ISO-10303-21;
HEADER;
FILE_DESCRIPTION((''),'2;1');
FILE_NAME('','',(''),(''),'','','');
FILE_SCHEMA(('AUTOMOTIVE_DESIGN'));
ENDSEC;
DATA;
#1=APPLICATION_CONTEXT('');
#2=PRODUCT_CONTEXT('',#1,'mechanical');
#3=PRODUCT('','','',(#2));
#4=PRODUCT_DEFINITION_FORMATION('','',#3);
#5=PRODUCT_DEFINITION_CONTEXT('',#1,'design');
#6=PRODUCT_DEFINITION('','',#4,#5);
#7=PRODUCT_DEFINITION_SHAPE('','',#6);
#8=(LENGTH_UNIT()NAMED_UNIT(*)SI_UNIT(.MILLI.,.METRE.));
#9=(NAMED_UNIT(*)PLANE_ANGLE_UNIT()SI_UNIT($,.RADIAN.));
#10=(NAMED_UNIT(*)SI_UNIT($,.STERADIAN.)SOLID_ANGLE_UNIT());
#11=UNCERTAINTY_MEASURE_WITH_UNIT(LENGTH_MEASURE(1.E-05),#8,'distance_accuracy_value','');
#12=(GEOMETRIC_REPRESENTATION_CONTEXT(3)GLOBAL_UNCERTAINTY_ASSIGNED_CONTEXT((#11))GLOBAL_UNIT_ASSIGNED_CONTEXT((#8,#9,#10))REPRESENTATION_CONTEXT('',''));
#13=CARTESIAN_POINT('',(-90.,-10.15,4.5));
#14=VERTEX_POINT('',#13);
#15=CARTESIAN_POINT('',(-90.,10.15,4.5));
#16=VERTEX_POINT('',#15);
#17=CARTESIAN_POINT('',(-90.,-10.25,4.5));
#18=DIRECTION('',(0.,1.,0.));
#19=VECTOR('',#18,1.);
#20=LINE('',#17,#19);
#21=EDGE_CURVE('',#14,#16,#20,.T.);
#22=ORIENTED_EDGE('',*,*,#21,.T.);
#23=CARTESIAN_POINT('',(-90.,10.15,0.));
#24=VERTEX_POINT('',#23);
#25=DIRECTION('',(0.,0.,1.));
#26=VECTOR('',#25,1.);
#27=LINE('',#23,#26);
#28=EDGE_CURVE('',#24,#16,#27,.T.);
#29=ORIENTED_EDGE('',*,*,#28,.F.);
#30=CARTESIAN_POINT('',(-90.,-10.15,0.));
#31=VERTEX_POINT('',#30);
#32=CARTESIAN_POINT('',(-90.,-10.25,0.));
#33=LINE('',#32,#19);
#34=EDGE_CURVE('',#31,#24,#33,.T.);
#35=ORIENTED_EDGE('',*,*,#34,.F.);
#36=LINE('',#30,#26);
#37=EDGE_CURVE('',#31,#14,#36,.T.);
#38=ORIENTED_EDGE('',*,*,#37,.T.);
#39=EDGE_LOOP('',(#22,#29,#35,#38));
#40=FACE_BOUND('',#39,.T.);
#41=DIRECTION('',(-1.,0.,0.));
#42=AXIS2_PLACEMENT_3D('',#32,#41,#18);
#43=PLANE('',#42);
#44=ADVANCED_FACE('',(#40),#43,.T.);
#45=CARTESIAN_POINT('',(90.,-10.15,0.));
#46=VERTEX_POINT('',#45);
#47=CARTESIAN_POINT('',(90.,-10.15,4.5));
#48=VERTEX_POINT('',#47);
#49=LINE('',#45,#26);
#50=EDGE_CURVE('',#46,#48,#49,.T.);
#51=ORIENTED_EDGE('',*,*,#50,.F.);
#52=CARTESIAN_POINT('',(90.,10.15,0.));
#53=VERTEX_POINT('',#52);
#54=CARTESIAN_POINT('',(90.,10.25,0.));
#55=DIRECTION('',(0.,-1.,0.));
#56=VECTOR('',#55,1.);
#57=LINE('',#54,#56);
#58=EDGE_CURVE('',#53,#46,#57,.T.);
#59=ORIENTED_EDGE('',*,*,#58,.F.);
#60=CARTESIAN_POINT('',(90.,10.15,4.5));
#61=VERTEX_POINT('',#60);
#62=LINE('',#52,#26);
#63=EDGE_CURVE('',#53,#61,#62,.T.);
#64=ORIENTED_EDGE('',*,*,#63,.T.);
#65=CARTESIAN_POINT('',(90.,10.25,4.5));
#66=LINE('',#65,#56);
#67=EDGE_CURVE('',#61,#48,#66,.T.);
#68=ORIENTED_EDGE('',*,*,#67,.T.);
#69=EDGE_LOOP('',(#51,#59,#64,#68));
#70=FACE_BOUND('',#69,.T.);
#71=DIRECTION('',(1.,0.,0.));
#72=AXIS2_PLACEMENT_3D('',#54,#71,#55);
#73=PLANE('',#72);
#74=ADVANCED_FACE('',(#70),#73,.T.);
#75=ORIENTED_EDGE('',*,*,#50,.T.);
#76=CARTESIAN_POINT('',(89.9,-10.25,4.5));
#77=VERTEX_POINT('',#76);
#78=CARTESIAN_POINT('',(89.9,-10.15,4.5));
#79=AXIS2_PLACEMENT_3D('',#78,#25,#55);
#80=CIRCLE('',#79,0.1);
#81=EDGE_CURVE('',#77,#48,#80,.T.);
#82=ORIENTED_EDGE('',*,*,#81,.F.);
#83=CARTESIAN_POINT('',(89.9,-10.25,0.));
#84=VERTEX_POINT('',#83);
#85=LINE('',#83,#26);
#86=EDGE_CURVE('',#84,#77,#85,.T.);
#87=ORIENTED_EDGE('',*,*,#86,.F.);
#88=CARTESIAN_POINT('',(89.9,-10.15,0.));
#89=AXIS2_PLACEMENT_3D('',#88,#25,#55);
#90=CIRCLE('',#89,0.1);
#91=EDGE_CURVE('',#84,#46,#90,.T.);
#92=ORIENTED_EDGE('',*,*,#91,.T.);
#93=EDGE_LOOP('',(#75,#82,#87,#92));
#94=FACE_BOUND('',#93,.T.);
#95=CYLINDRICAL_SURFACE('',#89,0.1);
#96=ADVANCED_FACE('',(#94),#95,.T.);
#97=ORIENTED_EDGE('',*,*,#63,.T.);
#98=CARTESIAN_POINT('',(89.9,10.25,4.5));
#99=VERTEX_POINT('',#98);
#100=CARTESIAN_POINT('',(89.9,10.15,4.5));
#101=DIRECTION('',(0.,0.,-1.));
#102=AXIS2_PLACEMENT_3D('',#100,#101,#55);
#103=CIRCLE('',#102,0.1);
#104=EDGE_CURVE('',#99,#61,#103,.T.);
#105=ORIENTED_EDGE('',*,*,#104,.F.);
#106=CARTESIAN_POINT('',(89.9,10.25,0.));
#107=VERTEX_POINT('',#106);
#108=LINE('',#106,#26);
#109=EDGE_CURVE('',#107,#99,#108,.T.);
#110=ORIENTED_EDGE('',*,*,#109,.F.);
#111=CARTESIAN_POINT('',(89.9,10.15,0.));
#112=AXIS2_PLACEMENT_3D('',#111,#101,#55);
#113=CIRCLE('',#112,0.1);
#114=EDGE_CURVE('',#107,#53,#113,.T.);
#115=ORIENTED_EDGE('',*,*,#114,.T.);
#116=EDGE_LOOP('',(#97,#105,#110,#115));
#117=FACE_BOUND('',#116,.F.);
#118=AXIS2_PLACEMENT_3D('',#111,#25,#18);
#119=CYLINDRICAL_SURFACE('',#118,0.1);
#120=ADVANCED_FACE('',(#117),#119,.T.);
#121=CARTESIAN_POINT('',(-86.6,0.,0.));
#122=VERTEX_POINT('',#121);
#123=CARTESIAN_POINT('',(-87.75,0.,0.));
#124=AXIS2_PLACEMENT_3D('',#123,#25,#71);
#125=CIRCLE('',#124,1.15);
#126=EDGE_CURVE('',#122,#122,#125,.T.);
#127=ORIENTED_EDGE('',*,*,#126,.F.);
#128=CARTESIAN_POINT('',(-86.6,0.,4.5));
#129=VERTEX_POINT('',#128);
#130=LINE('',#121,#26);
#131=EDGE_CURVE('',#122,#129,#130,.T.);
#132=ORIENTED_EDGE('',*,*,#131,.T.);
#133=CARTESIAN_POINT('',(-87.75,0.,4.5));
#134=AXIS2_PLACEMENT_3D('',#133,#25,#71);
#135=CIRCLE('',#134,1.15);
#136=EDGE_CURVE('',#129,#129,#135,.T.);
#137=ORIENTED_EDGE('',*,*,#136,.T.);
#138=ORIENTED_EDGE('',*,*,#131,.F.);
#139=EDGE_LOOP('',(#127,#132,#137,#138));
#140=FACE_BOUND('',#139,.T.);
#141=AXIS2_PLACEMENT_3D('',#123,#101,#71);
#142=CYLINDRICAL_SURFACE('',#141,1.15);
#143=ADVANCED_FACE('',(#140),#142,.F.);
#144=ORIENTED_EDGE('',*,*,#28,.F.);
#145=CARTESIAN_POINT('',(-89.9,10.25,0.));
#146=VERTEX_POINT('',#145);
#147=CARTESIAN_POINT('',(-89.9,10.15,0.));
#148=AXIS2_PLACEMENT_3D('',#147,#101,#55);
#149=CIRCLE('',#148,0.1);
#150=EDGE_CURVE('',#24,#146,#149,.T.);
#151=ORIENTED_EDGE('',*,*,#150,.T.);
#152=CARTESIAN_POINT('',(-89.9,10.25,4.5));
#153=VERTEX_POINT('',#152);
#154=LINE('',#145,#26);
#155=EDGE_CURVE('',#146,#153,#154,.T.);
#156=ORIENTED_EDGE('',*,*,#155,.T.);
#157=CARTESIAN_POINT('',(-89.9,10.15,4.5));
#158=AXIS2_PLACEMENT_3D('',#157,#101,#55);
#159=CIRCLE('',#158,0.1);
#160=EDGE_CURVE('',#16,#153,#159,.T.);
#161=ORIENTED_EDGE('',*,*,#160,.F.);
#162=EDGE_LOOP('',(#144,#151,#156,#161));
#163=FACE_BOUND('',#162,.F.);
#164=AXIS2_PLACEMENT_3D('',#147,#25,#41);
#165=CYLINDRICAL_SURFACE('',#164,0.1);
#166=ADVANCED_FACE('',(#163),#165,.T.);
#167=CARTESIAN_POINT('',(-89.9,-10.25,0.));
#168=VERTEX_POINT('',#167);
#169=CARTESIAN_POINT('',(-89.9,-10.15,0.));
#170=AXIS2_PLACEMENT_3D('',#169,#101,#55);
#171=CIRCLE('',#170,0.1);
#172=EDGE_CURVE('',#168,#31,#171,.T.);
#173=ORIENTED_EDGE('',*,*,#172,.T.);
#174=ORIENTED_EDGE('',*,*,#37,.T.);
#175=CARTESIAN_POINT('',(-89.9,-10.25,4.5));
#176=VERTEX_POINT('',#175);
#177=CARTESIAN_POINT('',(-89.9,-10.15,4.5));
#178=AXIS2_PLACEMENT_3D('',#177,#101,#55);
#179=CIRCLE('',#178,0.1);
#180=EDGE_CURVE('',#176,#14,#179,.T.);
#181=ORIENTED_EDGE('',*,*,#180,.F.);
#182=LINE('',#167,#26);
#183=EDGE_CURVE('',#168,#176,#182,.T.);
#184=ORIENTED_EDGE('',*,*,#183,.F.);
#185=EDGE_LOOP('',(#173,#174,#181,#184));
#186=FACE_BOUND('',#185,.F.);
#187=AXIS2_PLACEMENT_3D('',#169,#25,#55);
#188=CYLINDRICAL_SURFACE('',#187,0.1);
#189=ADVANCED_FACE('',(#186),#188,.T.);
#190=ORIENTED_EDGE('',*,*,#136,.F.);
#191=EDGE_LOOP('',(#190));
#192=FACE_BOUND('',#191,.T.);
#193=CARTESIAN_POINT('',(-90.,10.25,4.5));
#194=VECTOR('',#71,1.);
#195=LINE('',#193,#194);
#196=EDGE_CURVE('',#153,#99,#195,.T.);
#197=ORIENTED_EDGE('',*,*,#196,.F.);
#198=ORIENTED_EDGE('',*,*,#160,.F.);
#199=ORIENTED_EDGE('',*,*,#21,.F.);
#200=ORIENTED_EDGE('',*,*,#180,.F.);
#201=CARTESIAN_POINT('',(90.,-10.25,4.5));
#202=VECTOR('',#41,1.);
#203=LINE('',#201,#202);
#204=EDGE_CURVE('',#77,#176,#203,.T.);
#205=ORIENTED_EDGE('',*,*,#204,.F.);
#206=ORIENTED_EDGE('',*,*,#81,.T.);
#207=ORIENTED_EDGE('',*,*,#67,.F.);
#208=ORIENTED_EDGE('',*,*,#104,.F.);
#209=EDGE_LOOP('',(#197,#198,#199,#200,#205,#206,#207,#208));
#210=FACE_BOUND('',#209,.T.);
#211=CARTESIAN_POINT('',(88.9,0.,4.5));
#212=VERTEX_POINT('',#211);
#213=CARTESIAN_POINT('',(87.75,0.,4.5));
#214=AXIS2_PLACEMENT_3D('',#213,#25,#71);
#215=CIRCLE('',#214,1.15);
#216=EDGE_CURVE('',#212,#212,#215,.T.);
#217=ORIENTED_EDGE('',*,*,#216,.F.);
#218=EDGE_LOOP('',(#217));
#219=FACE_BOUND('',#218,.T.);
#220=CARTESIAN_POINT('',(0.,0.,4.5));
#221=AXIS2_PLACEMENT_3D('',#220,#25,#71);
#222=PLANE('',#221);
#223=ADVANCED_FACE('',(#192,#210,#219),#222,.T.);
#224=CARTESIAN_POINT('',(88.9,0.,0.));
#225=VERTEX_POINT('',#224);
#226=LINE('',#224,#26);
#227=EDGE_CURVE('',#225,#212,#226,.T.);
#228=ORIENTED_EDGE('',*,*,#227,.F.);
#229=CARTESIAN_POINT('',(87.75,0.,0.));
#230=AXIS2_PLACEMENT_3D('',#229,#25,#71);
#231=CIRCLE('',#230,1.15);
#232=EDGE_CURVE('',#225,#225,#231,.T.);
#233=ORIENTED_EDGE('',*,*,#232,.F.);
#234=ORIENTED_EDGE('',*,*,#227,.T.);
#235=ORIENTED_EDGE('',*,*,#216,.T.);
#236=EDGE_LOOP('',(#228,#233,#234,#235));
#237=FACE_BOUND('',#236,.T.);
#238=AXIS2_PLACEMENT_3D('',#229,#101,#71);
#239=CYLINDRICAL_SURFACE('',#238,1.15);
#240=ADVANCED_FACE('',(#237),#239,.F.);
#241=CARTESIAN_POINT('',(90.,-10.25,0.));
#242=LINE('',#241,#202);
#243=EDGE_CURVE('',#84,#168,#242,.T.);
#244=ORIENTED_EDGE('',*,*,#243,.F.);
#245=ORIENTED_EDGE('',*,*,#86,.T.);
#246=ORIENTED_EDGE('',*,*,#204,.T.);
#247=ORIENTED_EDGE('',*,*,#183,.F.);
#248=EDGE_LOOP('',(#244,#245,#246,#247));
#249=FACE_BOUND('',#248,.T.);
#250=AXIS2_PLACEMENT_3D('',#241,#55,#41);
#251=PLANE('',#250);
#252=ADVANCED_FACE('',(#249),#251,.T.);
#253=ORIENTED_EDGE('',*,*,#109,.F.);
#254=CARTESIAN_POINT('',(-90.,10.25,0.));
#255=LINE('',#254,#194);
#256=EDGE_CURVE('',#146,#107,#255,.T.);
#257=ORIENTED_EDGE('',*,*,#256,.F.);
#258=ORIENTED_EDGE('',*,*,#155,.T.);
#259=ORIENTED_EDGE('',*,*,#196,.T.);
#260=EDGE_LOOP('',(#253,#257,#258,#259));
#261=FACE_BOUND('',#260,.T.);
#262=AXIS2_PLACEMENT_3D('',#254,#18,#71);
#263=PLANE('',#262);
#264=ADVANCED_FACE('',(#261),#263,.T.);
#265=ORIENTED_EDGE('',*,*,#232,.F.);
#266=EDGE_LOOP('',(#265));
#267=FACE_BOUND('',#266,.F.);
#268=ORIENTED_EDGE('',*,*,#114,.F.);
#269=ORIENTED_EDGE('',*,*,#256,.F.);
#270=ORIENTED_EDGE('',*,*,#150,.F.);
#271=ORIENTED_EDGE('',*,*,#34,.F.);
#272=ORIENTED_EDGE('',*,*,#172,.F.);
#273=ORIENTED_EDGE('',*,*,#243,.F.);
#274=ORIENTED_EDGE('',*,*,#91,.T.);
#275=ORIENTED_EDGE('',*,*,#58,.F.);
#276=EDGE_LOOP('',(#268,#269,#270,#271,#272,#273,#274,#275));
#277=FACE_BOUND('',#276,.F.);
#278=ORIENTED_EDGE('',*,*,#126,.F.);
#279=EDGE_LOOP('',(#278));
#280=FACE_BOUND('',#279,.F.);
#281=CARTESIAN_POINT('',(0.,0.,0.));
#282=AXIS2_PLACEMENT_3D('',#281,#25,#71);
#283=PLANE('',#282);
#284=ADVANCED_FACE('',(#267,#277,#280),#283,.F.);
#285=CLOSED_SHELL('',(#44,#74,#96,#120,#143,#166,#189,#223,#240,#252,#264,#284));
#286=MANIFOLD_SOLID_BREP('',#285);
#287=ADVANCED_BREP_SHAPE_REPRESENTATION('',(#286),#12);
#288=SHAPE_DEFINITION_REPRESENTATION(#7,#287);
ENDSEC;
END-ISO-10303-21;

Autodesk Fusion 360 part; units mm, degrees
sketch "Sketch1" plane through (0, 0, 0) normal (0, 0, 1) x (1, 0, 0)
  line L0 (90, -10.25) -> (-90, -10.25)
  line L1 (-90, -10.25) -> (-90, 10.25)
  line L2 (-90, 10.25) -> (90, 10.25)
  line L3 (90, 10.25) -> (90, -10.25)
  line L4 (90, -10.25) -> (-90, 10.25) construction
  line L5 (-90, -10.25) -> (90, 10.25) construction
  line L6 (-87.75, 10.25) -> (-87.75, -10.25) construction
  line L7 (87.75, 10.25) -> (87.75, -10.25) construction
  circle A0 centre (-87.75, 0) radius 1.15
  circle A1 centre (87.75, 0) radius 1.15
  dimension "d1" = 180
  dimension "d2" = 20.5
  dimension "d3" = 2.25
  dimension "d4" = 2.25
  dimension "d5" = 2.3
  dimension "d6" = 2.3
extrude "Extrude1" add sketch "Sketch1" along normal blind 4.5
fillet "Fillet1" radius 0.1 4 edges at (90, -10.25, 2.25) (90, 10.25, 2.25) (-90, -10.25, 2.25) (-90, 10.25, 2.25)
